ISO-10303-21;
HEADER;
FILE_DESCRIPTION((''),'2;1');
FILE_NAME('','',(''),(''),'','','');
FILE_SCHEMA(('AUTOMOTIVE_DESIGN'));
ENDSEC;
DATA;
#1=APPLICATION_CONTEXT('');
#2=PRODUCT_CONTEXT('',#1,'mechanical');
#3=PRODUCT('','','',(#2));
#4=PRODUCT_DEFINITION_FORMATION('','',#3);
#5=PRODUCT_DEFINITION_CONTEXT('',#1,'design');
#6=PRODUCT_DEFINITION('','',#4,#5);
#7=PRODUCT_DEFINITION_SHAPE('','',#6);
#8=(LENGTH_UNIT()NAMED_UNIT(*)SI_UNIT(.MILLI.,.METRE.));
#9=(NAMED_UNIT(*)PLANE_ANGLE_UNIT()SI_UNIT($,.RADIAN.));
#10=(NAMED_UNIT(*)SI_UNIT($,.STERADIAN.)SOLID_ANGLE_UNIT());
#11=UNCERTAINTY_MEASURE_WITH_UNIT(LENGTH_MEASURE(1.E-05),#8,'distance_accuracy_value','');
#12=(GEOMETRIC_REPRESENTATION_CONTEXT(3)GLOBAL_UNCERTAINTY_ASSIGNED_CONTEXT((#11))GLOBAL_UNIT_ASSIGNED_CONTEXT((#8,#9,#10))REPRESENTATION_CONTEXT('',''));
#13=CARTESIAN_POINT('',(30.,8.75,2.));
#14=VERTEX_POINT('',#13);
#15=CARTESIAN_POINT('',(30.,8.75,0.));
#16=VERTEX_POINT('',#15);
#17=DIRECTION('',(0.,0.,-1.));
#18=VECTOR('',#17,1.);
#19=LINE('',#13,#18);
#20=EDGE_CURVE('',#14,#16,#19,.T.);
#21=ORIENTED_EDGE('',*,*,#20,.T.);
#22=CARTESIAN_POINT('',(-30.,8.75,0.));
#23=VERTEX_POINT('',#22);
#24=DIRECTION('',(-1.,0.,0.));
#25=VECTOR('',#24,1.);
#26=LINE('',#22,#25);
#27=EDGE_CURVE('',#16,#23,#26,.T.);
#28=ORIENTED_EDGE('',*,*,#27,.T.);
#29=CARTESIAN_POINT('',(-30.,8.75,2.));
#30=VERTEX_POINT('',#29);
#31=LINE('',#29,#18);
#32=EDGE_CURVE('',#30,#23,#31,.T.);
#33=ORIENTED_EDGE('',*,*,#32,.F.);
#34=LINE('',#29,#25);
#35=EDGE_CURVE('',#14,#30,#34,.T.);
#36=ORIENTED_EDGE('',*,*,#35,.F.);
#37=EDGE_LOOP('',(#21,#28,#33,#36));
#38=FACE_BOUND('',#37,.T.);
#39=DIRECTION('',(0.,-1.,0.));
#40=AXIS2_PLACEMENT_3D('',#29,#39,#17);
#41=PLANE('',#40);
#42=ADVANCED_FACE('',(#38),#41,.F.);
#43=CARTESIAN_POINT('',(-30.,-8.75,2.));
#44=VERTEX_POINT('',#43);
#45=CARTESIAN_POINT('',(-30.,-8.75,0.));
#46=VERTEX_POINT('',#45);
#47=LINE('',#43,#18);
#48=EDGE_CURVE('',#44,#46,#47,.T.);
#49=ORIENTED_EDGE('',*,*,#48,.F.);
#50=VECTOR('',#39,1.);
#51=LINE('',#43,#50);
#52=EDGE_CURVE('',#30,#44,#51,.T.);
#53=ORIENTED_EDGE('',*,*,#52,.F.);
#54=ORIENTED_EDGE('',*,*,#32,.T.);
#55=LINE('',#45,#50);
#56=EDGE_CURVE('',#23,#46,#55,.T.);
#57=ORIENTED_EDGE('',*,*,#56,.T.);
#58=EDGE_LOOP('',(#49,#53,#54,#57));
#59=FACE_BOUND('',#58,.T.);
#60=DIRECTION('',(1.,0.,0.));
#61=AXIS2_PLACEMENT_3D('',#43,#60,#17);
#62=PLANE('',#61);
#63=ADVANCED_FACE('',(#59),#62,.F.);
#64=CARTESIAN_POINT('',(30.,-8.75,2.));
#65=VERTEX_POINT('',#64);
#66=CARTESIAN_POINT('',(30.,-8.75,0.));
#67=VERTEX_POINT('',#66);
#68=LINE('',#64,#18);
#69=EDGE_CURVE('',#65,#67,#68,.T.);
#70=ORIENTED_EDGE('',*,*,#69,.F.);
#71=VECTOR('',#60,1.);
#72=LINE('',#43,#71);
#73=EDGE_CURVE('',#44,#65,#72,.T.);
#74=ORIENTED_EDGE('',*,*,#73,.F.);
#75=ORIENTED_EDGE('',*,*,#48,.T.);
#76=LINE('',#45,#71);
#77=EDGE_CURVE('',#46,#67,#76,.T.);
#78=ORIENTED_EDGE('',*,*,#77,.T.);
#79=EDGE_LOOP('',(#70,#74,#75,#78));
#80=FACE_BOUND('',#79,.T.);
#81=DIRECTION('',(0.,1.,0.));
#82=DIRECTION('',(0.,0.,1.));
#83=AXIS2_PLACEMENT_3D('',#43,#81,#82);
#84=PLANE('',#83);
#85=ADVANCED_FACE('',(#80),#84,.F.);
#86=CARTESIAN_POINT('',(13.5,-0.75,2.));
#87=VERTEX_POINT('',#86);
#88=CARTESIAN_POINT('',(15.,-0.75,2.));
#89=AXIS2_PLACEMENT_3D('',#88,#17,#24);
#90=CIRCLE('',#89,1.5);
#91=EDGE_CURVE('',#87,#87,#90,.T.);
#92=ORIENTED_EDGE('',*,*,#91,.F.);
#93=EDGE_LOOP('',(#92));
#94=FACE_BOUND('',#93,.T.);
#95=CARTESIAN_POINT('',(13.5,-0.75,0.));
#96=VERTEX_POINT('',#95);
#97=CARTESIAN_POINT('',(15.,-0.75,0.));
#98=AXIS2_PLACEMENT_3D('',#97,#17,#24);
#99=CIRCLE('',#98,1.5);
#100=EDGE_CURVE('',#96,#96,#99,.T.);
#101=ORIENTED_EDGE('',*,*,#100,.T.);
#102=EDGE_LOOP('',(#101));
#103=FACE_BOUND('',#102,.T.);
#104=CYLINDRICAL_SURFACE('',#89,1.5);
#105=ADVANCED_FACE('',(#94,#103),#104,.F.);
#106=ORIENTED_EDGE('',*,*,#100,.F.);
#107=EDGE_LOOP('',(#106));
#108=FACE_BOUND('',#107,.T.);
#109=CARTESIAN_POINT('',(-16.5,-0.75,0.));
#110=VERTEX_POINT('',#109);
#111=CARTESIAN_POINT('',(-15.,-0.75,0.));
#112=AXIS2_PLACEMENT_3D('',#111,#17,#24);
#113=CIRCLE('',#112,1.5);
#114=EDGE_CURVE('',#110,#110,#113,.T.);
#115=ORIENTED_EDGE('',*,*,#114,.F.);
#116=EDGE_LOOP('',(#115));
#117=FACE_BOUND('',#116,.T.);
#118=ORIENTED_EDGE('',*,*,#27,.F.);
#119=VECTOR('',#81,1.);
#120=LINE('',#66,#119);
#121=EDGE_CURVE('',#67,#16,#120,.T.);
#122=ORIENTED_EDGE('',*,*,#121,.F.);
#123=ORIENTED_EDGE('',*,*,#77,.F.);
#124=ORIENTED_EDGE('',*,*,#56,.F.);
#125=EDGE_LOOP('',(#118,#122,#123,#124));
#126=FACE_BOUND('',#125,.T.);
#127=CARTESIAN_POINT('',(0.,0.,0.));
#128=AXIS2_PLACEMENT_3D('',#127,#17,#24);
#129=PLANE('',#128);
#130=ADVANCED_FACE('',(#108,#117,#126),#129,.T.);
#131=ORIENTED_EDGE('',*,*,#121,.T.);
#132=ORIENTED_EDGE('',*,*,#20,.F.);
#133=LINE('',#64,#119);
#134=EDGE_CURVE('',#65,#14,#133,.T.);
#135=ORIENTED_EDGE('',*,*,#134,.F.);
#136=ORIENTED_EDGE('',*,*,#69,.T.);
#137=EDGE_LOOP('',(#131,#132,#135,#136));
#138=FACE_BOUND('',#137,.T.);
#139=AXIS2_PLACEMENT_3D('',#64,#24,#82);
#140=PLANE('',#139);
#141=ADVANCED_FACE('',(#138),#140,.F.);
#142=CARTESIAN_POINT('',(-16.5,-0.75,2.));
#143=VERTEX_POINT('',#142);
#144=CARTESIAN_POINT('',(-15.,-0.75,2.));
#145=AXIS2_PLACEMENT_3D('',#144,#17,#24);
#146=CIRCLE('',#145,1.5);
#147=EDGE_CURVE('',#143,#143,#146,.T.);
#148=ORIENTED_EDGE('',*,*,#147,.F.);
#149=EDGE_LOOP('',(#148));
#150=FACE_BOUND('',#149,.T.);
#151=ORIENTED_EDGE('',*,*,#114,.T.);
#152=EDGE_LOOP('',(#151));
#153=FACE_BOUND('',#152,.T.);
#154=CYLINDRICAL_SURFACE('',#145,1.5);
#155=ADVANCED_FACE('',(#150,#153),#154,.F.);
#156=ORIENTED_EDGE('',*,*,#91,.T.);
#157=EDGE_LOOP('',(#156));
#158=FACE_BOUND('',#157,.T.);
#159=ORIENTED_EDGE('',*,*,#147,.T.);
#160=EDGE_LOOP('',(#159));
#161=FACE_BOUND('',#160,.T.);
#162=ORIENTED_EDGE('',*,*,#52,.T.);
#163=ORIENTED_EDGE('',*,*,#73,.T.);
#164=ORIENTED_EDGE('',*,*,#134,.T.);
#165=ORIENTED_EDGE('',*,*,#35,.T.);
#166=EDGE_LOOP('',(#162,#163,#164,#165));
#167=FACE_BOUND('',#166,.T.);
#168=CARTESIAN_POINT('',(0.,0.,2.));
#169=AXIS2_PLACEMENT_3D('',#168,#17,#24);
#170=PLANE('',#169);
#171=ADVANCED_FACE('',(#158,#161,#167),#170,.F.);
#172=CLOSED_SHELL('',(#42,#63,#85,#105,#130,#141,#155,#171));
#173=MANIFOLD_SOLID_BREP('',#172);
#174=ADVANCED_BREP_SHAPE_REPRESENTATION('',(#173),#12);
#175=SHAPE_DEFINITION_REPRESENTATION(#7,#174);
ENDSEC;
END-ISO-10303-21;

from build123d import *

# Parameters (mm, degrees)
CROQUIS1_W              = 60
CROQUIS1_H              = 17.5
SALIENTE_EXTRUIR1_DEPTH = 2
CROQUIS2_R              = 1.5
CORTAR_EXTRUIR1_DEPTH   = 3


with BuildPart() as part:
    # Croquis1 → Saliente-Extruir1 (new body)
    with BuildSketch(Plane.XY):
        Rectangle(CROQUIS1_W, CROQUIS1_H)
    extrude(amount=SALIENTE_EXTRUIR1_DEPTH)

    # Croquis2 → Cortar-Extruir1 (cut, through all)
    with BuildSketch(Plane(origin=(0, 0, 0), x_dir=(-1, 0, 0), z_dir=(0, 0, -1))):
        with Locations((15, -0.75)):
            Circle(CROQUIS2_R)
        with Locations((-15, -0.75)):
            Circle(CROQUIS2_R)
    extrude(amount=-CORTAR_EXTRUIR1_DEPTH, mode=Mode.SUBTRACT)


solid = part.part
